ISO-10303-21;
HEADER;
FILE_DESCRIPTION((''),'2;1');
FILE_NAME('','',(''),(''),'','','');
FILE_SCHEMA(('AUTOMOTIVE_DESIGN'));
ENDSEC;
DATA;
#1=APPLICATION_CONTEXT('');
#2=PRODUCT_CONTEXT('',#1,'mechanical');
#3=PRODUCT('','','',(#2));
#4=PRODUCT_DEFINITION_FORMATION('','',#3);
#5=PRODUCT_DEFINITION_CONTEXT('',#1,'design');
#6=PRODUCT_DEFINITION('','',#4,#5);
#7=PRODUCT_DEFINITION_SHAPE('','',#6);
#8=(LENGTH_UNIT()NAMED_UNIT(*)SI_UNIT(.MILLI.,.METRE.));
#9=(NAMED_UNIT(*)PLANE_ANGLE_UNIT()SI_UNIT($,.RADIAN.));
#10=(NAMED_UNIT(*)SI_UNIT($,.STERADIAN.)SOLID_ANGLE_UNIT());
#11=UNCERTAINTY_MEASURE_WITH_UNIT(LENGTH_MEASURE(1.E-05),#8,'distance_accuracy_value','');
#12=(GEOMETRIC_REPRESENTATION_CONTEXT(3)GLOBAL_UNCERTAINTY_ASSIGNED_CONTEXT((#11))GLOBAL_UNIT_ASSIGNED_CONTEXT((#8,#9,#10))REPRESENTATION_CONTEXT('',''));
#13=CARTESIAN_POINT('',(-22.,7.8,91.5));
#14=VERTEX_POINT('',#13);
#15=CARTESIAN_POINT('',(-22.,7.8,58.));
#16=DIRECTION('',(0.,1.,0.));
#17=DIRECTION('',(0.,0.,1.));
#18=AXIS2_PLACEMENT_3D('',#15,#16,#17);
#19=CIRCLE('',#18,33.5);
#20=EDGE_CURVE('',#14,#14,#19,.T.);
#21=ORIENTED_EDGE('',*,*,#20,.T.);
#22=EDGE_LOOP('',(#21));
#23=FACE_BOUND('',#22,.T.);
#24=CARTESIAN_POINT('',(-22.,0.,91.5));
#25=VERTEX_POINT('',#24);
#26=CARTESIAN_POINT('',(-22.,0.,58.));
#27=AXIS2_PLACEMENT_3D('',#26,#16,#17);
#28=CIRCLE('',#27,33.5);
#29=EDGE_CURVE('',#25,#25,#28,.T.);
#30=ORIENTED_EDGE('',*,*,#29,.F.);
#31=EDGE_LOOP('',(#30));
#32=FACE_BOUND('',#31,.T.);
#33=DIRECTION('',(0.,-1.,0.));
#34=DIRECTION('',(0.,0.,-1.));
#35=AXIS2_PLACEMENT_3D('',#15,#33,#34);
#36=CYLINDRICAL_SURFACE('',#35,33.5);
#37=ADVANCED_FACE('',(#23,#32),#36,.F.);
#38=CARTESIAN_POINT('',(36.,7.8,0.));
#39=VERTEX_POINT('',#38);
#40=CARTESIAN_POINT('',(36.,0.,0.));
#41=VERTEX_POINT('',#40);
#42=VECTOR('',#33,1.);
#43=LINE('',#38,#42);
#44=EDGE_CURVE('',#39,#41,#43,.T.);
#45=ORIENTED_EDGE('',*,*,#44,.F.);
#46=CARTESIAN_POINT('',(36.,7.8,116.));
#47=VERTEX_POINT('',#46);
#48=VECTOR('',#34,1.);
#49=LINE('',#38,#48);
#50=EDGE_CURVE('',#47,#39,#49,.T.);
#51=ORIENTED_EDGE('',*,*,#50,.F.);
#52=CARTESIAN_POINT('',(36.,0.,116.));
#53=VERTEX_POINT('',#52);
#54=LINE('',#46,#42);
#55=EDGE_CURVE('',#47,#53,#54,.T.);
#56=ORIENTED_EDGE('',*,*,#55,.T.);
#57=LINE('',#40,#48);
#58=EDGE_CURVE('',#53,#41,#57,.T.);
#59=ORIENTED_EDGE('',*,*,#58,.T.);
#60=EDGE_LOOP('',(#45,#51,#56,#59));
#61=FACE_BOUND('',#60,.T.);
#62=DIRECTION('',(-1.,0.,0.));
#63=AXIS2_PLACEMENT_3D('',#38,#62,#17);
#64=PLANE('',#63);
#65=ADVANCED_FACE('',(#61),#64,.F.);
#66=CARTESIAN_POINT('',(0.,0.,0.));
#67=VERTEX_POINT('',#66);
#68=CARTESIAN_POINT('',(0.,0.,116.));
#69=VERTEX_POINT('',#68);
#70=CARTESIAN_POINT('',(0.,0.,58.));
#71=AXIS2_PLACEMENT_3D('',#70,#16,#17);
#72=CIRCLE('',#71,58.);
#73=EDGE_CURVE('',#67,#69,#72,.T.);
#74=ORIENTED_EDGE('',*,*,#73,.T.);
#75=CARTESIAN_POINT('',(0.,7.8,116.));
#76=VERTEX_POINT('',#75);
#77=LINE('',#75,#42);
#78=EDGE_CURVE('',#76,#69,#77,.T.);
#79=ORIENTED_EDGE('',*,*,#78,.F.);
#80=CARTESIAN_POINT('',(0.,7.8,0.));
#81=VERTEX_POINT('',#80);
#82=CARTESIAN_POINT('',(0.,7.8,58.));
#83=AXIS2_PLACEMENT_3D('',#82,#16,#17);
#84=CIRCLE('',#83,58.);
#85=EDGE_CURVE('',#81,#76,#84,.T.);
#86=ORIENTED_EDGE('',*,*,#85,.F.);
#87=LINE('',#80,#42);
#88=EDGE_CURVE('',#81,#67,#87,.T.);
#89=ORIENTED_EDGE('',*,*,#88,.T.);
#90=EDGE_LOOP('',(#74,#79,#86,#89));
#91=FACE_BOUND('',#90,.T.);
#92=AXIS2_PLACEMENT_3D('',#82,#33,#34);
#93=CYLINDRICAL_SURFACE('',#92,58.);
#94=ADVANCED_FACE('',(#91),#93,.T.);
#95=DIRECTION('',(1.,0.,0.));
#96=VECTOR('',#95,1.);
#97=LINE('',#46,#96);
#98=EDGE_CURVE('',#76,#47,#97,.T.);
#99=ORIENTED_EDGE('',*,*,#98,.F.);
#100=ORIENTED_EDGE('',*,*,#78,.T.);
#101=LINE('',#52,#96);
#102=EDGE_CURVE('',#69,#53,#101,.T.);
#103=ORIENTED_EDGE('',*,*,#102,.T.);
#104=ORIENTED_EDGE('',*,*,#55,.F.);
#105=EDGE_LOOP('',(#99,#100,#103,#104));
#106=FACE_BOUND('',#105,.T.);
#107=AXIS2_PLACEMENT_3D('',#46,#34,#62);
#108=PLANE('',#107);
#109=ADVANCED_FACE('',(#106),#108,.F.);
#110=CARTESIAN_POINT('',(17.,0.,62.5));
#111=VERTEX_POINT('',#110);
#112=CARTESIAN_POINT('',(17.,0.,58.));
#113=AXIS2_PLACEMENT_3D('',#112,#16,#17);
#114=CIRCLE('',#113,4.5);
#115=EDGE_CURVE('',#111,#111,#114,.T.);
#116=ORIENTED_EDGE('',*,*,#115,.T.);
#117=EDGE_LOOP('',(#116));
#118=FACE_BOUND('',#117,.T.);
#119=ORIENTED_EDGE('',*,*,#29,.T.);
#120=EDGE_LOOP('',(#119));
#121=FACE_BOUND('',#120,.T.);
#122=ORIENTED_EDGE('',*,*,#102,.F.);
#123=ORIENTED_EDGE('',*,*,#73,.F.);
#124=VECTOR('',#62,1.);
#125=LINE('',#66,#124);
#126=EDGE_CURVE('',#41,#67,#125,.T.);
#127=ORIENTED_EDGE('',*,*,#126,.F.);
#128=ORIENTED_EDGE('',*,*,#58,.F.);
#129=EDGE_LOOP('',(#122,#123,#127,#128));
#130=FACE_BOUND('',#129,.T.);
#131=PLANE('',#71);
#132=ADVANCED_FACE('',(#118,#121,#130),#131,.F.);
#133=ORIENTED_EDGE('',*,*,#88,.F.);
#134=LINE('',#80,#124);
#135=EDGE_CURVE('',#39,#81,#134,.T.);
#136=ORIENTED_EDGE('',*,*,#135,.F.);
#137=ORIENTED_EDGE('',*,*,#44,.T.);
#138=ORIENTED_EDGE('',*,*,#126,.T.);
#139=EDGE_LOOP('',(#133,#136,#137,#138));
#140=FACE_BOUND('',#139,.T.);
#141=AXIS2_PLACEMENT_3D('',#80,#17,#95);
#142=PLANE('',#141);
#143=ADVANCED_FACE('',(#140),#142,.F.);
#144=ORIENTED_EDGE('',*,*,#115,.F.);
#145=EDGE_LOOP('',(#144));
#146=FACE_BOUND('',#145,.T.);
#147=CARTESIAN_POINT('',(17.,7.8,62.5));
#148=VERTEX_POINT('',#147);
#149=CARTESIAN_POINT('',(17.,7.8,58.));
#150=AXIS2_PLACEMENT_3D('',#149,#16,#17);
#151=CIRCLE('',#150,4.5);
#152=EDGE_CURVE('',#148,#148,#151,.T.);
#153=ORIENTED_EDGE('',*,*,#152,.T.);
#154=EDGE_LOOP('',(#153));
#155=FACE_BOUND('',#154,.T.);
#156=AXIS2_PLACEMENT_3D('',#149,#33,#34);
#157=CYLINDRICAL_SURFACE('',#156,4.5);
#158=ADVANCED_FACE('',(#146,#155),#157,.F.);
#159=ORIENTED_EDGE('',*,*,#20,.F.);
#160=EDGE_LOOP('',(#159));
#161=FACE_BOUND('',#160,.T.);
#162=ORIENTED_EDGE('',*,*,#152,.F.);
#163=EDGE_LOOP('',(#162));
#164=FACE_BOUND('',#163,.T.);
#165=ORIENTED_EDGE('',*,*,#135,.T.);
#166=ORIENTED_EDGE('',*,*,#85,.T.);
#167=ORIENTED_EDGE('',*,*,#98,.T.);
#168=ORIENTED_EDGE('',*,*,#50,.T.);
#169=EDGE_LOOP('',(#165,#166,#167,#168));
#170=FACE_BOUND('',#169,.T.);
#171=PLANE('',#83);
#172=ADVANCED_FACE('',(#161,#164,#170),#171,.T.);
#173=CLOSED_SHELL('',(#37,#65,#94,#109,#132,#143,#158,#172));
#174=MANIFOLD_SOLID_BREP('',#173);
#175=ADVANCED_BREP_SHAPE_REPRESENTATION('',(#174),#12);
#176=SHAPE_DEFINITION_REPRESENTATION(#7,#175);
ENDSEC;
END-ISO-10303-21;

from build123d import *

# Parameters (mm, degrees)
SKETCH1_R           = 33.5
SKETCH1_R_2         = 4.5
BOSS_EXTRUDE1_DEPTH = 7.8


with BuildPart() as part:
    # Sketch1 → Boss-Extrude1 (new body)
    with BuildSketch(Plane(origin=(0, 0, 0), x_dir=(1, 0, 0), z_dir=(0, 1, 0))):
        with BuildLine():
            Line((0, 0), (36, 0))
            Line((36, 0), (36, -116))
            Line((36, -116), (0, -116))
            ThreePointArc((0, -116), (-58, -58), (0, 0))
        make_face()
        with Locations(Location((-22, -58, 0), (0, 0, 270))):
            Circle(SKETCH1_R, mode=Mode.SUBTRACT)
        with Locations(Location((17, -58, 0), (0, 0, 270))):
            Circle(SKETCH1_R_2, mode=Mode.SUBTRACT)
    extrude(amount=BOSS_EXTRUDE1_DEPTH)


solid = part.part
